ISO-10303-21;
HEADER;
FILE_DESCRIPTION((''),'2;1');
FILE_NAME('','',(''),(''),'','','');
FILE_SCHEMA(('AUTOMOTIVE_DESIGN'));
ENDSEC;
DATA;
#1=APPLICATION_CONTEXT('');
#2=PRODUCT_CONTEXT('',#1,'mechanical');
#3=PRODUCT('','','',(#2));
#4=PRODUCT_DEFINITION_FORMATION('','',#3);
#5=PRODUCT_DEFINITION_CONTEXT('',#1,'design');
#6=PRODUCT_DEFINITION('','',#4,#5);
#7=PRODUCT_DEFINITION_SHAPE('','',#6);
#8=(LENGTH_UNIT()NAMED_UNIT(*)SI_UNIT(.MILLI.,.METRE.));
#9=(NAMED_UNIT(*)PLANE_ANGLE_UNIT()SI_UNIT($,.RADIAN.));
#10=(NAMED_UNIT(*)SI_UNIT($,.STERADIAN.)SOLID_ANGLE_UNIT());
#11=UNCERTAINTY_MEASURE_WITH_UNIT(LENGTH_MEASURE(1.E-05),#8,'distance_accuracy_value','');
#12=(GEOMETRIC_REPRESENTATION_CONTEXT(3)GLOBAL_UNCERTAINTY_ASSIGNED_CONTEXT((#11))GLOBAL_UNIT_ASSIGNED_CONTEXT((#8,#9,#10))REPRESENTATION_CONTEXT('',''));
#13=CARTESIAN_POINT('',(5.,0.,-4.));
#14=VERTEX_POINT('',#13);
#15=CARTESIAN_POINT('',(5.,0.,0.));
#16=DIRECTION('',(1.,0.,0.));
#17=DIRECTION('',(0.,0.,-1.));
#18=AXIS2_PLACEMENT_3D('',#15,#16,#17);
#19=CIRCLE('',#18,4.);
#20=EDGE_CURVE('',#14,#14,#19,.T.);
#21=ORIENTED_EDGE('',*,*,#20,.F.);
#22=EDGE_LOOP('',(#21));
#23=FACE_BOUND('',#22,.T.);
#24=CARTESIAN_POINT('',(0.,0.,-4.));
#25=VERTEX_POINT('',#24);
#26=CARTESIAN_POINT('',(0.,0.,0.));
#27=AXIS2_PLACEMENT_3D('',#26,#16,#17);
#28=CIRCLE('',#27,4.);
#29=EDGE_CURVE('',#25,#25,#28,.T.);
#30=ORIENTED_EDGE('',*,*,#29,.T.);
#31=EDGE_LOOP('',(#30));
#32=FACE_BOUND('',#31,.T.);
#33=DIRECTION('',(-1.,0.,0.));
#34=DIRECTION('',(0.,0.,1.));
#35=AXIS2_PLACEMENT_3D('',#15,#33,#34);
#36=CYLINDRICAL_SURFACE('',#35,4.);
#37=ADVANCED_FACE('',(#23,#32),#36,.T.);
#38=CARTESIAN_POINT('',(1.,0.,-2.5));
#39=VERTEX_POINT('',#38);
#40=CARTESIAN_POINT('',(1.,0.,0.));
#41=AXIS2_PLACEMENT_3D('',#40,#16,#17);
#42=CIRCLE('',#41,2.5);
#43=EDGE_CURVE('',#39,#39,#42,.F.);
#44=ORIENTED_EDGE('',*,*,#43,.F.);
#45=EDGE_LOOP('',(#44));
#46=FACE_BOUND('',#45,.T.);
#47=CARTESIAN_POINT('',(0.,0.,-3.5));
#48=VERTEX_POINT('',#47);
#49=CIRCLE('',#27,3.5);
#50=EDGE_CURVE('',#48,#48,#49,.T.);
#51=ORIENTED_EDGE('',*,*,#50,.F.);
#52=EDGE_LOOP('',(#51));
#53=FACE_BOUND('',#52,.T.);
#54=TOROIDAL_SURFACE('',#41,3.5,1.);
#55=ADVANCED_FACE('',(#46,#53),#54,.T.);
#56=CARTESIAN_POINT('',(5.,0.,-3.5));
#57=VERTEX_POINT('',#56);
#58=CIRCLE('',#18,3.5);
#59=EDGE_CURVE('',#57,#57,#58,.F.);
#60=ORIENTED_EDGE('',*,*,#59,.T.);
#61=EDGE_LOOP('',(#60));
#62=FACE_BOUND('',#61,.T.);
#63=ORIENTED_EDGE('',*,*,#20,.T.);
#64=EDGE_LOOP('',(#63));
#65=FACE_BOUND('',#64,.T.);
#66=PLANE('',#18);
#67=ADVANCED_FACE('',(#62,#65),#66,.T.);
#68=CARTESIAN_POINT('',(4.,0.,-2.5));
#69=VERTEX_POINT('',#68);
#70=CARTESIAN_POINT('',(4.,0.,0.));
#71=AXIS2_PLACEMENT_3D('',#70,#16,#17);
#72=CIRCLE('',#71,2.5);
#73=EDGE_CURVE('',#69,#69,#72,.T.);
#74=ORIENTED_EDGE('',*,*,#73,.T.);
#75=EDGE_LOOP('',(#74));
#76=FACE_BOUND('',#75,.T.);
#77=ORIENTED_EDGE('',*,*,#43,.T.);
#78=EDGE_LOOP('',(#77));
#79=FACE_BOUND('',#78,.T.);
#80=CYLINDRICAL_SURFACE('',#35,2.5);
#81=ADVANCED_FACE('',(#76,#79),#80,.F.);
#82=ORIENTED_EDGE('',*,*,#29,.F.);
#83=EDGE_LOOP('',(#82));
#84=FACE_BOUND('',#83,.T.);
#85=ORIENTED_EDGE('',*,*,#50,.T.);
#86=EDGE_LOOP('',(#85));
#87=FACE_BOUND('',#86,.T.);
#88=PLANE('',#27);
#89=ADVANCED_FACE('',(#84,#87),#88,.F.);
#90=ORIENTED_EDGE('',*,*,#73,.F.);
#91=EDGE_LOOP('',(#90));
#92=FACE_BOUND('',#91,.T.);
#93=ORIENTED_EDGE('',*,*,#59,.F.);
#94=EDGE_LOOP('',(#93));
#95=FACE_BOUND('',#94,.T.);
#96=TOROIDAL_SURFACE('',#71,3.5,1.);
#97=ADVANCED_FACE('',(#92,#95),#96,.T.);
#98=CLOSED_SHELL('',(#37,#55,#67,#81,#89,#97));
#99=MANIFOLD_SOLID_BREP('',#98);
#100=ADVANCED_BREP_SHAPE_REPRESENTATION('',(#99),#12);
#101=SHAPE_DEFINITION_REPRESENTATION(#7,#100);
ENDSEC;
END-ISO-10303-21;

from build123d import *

# Parameters (mm, degrees)
SKETCH1_R           = 4
SKETCH1_R_2         = 2.5
BOSS_EXTRUDE1_DEPTH = 5
FILLET2_R           = 1


with BuildPart() as part:
    # Sketch1 → Boss-Extrude1 (new body)
    with BuildSketch(Plane(origin=(0, 0, 0), x_dir=(0, 0, -1), z_dir=(1, 0, 0))):
        Circle(SKETCH1_R)
        Circle(SKETCH1_R_2, mode=Mode.SUBTRACT)
    extrude(amount=BOSS_EXTRUDE1_DEPTH)

    # Fillet2
    fillet2_edges = [part.edges().sort_by_distance(p)[0] for p in [
        (0, 0, 2.5),
        (5, 0, 2.5),
    ]]
    fillet(fillet2_edges, radius=FILLET2_R)


solid = part.part
